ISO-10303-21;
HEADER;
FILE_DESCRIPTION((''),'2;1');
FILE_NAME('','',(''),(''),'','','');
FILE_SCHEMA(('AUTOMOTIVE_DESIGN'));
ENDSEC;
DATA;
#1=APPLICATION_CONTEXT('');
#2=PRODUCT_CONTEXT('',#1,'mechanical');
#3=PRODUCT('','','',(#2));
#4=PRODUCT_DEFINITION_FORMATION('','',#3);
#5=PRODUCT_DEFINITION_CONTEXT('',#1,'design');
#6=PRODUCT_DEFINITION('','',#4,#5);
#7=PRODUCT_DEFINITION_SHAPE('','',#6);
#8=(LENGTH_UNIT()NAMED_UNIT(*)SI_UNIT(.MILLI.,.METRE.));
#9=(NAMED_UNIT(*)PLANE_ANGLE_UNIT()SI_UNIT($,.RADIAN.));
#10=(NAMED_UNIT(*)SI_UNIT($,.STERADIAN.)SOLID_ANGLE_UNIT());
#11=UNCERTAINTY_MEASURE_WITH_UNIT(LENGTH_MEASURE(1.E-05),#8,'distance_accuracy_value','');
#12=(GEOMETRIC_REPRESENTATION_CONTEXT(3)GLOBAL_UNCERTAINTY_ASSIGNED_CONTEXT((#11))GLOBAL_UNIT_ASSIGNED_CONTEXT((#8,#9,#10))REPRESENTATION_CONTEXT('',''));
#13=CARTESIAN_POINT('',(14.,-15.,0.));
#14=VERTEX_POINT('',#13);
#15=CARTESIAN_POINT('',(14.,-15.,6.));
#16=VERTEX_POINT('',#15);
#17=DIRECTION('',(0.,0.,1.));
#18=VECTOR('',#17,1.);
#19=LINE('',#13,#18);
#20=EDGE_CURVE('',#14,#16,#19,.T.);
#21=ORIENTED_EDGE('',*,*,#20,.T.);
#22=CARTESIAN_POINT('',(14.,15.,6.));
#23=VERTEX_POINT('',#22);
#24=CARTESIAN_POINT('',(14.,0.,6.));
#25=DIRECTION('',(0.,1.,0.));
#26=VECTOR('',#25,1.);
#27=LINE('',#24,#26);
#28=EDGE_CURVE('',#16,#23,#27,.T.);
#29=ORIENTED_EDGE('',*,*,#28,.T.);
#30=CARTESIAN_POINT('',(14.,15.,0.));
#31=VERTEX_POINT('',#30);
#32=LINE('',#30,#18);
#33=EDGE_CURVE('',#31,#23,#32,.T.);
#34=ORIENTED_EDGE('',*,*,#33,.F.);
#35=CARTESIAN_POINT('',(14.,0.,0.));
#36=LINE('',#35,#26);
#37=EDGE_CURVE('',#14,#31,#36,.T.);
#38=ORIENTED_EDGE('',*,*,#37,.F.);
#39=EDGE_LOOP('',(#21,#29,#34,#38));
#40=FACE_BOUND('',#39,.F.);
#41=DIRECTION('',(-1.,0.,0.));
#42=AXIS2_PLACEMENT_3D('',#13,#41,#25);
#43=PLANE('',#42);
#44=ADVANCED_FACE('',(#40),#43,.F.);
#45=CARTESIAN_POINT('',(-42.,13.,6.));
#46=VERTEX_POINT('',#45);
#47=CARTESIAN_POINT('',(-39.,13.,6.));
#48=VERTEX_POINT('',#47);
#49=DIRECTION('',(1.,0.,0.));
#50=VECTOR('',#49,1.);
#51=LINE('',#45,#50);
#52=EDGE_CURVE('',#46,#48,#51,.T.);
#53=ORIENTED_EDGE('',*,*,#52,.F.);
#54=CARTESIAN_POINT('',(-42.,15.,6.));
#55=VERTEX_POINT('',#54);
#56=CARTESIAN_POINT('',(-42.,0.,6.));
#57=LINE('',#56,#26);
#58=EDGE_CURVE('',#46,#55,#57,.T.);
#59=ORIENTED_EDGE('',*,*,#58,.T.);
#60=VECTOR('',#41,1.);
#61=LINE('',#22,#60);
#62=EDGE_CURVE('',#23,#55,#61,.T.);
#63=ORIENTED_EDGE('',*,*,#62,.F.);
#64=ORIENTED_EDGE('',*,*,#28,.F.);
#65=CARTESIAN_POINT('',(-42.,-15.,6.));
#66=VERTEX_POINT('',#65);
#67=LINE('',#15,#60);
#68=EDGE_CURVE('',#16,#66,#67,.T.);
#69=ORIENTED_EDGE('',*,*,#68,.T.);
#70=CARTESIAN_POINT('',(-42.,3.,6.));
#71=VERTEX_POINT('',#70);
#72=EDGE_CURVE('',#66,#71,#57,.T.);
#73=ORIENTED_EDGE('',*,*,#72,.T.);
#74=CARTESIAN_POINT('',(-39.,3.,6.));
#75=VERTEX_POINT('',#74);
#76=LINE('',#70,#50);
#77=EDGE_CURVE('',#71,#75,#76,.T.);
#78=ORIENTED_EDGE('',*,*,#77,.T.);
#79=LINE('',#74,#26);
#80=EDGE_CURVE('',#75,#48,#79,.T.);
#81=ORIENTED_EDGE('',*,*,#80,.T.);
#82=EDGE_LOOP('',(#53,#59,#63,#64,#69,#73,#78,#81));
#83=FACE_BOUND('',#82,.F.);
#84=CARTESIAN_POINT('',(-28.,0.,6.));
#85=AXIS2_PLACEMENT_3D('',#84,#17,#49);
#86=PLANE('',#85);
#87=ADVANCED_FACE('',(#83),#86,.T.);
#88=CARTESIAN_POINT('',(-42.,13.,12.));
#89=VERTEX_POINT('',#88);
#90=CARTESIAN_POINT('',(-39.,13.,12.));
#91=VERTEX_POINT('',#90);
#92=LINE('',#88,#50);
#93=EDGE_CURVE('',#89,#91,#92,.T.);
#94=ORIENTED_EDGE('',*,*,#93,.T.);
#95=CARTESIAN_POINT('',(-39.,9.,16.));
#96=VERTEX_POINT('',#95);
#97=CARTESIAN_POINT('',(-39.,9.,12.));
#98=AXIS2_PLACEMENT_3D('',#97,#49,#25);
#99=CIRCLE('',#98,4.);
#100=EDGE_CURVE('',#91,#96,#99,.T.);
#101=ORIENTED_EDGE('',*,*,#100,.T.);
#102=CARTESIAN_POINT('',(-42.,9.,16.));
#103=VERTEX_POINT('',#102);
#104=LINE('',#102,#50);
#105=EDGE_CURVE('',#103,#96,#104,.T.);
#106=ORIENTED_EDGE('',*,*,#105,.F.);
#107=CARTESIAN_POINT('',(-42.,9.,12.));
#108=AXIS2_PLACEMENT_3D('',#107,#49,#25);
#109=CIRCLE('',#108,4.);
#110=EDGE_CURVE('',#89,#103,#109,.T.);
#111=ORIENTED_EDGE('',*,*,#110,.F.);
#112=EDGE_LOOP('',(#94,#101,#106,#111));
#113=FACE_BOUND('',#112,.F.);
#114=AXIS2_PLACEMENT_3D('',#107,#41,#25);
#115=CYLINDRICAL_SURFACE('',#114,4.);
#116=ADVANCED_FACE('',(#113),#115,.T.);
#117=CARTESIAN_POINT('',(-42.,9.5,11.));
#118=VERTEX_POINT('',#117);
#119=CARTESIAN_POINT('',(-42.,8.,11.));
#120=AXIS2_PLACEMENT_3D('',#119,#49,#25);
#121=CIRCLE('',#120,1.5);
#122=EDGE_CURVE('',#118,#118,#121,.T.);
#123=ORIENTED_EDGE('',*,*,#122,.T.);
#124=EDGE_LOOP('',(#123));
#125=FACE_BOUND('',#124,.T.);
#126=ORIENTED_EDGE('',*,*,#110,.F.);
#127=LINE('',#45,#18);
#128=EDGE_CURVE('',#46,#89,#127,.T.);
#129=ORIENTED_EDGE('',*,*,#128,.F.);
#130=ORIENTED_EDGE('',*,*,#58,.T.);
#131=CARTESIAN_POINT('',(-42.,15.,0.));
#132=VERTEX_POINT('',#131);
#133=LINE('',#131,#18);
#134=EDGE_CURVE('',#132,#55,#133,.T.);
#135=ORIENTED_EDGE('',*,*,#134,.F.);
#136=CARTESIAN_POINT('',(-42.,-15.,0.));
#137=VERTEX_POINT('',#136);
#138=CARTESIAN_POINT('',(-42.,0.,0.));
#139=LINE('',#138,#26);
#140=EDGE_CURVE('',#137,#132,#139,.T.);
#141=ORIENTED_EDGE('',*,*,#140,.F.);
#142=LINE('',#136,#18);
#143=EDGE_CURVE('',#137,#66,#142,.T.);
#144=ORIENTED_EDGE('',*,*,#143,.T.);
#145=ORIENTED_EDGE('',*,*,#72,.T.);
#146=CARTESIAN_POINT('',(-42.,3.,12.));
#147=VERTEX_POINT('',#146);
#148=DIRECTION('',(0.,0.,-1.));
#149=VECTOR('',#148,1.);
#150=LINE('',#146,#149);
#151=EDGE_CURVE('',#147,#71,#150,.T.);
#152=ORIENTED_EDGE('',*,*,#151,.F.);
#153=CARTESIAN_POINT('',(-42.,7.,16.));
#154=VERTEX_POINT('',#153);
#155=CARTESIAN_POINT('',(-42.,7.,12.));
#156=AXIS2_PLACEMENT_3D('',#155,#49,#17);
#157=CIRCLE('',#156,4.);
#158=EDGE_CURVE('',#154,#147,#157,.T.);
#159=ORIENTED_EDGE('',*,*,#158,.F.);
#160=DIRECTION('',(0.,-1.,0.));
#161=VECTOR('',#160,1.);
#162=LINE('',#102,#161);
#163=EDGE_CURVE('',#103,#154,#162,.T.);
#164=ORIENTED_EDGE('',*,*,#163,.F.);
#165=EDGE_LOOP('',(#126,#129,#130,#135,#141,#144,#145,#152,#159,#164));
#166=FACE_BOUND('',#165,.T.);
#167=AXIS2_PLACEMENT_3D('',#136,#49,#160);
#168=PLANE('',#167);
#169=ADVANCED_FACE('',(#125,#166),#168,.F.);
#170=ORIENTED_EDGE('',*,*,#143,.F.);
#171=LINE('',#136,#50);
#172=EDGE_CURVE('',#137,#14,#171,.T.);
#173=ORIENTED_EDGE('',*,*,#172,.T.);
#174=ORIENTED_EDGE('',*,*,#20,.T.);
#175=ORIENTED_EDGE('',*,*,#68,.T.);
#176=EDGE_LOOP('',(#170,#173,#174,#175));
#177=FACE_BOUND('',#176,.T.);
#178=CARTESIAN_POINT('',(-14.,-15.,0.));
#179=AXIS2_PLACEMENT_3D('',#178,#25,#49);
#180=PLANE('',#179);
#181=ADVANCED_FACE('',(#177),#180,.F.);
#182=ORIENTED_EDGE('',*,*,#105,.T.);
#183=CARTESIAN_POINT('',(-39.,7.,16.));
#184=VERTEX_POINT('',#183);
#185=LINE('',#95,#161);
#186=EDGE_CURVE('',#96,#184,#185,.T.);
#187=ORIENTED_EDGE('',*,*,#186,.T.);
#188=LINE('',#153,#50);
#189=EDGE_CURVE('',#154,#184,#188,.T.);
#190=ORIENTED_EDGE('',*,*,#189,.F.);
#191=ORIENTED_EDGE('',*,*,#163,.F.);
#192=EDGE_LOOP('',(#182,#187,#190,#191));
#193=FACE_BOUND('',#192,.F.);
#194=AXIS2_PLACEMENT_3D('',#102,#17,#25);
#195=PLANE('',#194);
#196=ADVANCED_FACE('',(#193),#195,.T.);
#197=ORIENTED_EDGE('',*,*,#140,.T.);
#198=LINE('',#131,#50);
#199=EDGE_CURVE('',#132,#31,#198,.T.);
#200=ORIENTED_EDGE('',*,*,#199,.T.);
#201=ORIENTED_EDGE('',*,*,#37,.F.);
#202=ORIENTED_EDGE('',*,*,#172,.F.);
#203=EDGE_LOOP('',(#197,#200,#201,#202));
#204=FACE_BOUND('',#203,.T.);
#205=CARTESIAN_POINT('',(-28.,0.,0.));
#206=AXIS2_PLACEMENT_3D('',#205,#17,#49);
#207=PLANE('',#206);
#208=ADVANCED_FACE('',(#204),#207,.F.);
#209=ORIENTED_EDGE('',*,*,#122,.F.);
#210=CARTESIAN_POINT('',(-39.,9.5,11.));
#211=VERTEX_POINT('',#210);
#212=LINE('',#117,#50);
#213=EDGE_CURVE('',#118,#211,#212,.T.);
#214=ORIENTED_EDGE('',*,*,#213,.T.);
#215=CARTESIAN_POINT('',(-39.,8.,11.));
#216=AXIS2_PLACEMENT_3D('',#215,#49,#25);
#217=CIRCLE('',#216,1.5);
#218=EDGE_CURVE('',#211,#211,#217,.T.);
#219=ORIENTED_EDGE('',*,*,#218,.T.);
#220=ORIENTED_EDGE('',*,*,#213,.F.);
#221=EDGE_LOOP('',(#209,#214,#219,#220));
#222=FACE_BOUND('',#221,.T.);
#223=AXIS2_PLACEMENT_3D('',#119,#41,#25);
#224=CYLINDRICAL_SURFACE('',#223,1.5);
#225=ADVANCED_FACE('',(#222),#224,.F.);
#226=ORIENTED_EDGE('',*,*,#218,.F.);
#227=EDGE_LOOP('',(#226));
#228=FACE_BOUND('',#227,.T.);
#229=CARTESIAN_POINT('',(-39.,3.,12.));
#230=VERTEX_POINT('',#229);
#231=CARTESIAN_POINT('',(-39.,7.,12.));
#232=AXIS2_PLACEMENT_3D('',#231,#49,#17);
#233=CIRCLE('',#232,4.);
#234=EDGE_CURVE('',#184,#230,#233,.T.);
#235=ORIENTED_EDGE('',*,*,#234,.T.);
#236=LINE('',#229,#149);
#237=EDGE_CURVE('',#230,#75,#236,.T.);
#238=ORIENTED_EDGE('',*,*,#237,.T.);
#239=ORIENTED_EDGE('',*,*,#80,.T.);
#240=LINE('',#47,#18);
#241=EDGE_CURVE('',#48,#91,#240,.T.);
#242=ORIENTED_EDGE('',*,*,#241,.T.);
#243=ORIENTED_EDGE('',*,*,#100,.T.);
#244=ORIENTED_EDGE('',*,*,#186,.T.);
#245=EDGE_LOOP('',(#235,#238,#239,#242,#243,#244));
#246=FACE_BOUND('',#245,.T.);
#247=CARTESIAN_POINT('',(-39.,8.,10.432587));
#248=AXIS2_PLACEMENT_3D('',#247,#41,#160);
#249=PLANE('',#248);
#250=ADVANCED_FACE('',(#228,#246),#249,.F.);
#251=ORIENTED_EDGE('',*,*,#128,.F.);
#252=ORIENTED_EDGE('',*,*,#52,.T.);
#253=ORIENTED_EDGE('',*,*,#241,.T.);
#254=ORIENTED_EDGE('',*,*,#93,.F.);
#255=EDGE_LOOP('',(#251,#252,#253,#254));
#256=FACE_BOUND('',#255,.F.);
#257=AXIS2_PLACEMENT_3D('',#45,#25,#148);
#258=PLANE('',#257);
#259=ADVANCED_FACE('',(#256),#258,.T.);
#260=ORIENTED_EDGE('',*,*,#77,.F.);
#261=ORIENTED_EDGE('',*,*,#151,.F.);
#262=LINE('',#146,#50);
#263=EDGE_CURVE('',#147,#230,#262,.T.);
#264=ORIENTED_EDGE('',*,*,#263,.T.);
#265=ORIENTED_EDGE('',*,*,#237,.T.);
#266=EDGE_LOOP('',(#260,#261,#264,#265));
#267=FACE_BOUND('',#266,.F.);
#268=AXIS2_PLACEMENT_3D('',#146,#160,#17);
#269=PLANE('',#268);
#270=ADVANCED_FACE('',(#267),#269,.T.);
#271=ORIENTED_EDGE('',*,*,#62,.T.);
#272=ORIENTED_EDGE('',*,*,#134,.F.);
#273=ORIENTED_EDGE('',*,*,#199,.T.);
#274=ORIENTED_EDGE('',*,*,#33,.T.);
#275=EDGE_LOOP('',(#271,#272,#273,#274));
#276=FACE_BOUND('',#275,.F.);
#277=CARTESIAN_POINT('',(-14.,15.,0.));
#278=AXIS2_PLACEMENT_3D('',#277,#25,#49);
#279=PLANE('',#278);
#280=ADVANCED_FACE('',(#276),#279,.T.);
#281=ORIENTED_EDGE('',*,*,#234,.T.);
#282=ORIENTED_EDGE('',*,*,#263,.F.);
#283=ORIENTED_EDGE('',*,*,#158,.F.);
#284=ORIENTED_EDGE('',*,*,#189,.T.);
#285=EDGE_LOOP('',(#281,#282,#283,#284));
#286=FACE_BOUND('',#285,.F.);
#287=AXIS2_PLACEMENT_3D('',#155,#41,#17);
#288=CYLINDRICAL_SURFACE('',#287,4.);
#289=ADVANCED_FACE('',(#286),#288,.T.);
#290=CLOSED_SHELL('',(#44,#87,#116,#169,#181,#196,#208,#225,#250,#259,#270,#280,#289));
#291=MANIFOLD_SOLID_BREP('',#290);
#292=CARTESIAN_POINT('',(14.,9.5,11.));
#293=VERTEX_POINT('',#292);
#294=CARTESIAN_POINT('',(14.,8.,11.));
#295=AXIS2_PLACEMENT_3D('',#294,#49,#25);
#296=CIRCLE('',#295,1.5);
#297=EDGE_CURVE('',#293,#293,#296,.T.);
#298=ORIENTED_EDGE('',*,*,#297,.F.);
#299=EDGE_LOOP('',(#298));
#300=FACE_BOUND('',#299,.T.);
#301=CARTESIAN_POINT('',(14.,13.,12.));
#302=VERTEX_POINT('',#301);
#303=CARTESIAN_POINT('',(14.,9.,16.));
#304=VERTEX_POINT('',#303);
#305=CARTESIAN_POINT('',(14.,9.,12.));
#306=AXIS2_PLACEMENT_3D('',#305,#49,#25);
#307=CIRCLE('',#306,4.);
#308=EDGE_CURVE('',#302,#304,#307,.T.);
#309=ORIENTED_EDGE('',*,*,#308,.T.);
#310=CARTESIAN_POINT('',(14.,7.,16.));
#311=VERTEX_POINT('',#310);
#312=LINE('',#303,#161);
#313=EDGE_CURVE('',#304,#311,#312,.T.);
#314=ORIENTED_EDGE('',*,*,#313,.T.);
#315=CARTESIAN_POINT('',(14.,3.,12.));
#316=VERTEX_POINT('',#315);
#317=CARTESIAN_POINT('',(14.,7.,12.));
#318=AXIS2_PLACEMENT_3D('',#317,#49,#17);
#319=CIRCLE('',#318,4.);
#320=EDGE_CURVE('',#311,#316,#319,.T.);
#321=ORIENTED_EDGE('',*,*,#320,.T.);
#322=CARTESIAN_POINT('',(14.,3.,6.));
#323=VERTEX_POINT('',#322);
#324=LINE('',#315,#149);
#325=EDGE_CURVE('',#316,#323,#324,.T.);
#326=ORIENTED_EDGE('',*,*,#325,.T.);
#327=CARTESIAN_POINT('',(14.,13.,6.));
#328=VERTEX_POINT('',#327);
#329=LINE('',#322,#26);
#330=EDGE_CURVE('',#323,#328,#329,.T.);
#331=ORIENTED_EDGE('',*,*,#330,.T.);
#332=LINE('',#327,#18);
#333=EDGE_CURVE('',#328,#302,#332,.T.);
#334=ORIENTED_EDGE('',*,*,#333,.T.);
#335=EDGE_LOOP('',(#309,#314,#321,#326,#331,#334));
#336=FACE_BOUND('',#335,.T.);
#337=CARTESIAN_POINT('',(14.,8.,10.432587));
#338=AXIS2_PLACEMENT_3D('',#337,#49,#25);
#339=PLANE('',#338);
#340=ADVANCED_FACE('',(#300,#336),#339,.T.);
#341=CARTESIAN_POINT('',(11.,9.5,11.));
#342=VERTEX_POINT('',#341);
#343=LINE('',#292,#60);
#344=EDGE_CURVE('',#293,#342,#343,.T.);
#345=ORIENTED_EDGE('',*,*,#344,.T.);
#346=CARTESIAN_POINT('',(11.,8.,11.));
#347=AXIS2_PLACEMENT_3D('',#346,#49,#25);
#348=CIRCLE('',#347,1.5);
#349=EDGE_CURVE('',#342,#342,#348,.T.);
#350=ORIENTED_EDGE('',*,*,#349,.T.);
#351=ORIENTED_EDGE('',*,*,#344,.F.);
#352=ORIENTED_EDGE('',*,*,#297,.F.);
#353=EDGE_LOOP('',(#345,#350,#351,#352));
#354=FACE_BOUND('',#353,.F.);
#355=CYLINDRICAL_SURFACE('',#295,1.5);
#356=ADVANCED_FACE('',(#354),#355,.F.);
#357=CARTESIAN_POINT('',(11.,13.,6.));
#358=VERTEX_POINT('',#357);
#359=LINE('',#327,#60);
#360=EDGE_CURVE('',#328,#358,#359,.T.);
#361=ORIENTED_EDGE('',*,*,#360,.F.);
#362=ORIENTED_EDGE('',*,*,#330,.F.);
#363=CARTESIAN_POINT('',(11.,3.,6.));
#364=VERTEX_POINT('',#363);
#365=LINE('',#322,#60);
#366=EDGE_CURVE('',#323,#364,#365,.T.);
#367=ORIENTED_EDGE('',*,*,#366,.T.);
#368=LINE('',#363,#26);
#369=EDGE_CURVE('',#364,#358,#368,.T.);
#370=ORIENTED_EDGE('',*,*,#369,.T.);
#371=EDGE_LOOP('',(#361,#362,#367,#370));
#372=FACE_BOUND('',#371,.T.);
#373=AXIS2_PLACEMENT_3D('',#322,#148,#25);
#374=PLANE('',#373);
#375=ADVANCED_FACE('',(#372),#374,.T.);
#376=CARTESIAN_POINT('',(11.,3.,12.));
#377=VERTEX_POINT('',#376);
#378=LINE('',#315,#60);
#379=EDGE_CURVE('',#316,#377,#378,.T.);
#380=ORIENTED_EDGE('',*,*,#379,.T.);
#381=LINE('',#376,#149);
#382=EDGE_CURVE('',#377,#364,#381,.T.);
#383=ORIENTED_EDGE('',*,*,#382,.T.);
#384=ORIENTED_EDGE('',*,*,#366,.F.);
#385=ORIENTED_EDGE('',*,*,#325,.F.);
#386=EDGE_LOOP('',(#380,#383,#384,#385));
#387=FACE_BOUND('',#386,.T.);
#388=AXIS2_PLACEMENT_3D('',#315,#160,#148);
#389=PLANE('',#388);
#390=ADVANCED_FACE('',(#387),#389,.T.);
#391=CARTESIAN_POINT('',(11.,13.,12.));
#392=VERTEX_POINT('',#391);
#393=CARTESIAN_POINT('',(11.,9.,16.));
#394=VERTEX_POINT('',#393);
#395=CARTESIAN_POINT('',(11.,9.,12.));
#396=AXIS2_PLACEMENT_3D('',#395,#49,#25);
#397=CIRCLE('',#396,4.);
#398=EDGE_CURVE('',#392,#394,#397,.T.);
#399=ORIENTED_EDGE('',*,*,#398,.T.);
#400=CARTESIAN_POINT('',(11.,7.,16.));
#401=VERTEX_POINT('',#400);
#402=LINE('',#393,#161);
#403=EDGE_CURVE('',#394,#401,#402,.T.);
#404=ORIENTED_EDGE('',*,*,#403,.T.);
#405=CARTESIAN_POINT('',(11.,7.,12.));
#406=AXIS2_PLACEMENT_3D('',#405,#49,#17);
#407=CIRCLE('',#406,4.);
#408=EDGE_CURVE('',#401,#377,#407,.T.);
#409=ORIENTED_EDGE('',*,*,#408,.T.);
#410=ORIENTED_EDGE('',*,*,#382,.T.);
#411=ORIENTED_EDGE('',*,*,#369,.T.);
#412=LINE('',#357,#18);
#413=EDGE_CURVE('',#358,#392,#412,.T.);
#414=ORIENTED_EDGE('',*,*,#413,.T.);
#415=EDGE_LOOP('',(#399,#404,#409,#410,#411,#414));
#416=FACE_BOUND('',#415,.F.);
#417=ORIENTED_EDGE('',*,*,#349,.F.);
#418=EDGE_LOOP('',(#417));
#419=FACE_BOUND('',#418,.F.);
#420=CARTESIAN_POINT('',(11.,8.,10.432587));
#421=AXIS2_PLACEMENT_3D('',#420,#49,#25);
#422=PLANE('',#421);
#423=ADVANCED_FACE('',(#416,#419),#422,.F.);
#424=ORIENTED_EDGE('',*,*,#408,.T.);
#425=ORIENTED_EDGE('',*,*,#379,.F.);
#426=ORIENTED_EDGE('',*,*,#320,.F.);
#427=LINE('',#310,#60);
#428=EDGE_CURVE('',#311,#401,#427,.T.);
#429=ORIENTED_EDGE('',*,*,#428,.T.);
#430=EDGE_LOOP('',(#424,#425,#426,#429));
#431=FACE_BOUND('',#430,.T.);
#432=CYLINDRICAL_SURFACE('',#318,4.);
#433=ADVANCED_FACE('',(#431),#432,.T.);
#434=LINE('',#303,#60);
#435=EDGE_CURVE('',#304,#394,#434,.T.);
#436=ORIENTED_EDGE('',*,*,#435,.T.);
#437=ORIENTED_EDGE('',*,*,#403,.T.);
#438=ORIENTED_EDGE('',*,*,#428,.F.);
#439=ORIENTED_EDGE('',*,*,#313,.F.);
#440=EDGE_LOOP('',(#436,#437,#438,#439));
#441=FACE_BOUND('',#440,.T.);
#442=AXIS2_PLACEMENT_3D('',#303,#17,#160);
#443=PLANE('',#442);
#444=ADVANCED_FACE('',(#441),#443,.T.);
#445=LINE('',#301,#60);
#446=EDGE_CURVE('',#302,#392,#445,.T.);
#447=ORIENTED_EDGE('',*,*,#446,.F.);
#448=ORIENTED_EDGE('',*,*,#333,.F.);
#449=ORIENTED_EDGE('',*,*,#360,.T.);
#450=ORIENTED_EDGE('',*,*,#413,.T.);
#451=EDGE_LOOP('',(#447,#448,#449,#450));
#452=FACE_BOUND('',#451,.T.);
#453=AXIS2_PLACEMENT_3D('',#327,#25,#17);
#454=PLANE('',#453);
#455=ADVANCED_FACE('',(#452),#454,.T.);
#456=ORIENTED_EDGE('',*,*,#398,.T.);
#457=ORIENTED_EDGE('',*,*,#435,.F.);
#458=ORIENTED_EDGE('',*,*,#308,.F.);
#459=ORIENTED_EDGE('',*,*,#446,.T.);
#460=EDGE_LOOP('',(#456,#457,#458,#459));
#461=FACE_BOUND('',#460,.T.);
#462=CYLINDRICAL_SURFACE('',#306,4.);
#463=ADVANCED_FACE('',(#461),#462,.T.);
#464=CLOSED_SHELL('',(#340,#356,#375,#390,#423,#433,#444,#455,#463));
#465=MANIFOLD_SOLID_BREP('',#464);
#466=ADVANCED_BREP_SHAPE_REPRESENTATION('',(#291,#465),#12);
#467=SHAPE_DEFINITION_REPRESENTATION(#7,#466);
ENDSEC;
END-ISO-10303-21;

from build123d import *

# Parameters (mm, degrees)
F0_W     = 28
F0_H     = 30
F1_DEPTH = 6
F2_R     = 1.5
F3_DEPTH = 3


with BuildPart() as f1:
    # F0 (on Top) → F1 (new body)
    with BuildSketch(Plane.XY):
        Rectangle(F0_W, F0_H)
    extrude(amount=F1_DEPTH)



with BuildPart() as f3:
    # F2 (on face) → F3 (new body)
    with BuildSketch(Plane.YZ.offset(14)):
        with BuildLine():
            Line((3, 6), (13, 6))
            Line((13, 6), (13, 12))
            ThreePointArc((13, 12), (11.8284271247, 14.8284271247), (9, 16))
            Line((9, 16), (7, 16))
            ThreePointArc((7, 16), (4.1715728753, 14.8284271247), (3, 12))
            Line((3, 12), (3, 6))
        make_face()
        with Locations((8, 11)):
            Circle(F2_R, mode=Mode.SUBTRACT)
    extrude(amount=-F3_DEPTH)


with BuildPart() as f1_1:
    add(f1.part)
    # F4: F3, F1 across face
    add(f3.part.mirror(Plane(origin=(-14, 0, 3), x_dir=(0, -1, 0), z_dir=(-1, 0, 0))))
    add(f1.part.mirror(Plane(origin=(-14, 0, 3), x_dir=(0, -1, 0), z_dir=(-1, 0, 0))))


solid = Compound([f3.part, f1_1.part])
